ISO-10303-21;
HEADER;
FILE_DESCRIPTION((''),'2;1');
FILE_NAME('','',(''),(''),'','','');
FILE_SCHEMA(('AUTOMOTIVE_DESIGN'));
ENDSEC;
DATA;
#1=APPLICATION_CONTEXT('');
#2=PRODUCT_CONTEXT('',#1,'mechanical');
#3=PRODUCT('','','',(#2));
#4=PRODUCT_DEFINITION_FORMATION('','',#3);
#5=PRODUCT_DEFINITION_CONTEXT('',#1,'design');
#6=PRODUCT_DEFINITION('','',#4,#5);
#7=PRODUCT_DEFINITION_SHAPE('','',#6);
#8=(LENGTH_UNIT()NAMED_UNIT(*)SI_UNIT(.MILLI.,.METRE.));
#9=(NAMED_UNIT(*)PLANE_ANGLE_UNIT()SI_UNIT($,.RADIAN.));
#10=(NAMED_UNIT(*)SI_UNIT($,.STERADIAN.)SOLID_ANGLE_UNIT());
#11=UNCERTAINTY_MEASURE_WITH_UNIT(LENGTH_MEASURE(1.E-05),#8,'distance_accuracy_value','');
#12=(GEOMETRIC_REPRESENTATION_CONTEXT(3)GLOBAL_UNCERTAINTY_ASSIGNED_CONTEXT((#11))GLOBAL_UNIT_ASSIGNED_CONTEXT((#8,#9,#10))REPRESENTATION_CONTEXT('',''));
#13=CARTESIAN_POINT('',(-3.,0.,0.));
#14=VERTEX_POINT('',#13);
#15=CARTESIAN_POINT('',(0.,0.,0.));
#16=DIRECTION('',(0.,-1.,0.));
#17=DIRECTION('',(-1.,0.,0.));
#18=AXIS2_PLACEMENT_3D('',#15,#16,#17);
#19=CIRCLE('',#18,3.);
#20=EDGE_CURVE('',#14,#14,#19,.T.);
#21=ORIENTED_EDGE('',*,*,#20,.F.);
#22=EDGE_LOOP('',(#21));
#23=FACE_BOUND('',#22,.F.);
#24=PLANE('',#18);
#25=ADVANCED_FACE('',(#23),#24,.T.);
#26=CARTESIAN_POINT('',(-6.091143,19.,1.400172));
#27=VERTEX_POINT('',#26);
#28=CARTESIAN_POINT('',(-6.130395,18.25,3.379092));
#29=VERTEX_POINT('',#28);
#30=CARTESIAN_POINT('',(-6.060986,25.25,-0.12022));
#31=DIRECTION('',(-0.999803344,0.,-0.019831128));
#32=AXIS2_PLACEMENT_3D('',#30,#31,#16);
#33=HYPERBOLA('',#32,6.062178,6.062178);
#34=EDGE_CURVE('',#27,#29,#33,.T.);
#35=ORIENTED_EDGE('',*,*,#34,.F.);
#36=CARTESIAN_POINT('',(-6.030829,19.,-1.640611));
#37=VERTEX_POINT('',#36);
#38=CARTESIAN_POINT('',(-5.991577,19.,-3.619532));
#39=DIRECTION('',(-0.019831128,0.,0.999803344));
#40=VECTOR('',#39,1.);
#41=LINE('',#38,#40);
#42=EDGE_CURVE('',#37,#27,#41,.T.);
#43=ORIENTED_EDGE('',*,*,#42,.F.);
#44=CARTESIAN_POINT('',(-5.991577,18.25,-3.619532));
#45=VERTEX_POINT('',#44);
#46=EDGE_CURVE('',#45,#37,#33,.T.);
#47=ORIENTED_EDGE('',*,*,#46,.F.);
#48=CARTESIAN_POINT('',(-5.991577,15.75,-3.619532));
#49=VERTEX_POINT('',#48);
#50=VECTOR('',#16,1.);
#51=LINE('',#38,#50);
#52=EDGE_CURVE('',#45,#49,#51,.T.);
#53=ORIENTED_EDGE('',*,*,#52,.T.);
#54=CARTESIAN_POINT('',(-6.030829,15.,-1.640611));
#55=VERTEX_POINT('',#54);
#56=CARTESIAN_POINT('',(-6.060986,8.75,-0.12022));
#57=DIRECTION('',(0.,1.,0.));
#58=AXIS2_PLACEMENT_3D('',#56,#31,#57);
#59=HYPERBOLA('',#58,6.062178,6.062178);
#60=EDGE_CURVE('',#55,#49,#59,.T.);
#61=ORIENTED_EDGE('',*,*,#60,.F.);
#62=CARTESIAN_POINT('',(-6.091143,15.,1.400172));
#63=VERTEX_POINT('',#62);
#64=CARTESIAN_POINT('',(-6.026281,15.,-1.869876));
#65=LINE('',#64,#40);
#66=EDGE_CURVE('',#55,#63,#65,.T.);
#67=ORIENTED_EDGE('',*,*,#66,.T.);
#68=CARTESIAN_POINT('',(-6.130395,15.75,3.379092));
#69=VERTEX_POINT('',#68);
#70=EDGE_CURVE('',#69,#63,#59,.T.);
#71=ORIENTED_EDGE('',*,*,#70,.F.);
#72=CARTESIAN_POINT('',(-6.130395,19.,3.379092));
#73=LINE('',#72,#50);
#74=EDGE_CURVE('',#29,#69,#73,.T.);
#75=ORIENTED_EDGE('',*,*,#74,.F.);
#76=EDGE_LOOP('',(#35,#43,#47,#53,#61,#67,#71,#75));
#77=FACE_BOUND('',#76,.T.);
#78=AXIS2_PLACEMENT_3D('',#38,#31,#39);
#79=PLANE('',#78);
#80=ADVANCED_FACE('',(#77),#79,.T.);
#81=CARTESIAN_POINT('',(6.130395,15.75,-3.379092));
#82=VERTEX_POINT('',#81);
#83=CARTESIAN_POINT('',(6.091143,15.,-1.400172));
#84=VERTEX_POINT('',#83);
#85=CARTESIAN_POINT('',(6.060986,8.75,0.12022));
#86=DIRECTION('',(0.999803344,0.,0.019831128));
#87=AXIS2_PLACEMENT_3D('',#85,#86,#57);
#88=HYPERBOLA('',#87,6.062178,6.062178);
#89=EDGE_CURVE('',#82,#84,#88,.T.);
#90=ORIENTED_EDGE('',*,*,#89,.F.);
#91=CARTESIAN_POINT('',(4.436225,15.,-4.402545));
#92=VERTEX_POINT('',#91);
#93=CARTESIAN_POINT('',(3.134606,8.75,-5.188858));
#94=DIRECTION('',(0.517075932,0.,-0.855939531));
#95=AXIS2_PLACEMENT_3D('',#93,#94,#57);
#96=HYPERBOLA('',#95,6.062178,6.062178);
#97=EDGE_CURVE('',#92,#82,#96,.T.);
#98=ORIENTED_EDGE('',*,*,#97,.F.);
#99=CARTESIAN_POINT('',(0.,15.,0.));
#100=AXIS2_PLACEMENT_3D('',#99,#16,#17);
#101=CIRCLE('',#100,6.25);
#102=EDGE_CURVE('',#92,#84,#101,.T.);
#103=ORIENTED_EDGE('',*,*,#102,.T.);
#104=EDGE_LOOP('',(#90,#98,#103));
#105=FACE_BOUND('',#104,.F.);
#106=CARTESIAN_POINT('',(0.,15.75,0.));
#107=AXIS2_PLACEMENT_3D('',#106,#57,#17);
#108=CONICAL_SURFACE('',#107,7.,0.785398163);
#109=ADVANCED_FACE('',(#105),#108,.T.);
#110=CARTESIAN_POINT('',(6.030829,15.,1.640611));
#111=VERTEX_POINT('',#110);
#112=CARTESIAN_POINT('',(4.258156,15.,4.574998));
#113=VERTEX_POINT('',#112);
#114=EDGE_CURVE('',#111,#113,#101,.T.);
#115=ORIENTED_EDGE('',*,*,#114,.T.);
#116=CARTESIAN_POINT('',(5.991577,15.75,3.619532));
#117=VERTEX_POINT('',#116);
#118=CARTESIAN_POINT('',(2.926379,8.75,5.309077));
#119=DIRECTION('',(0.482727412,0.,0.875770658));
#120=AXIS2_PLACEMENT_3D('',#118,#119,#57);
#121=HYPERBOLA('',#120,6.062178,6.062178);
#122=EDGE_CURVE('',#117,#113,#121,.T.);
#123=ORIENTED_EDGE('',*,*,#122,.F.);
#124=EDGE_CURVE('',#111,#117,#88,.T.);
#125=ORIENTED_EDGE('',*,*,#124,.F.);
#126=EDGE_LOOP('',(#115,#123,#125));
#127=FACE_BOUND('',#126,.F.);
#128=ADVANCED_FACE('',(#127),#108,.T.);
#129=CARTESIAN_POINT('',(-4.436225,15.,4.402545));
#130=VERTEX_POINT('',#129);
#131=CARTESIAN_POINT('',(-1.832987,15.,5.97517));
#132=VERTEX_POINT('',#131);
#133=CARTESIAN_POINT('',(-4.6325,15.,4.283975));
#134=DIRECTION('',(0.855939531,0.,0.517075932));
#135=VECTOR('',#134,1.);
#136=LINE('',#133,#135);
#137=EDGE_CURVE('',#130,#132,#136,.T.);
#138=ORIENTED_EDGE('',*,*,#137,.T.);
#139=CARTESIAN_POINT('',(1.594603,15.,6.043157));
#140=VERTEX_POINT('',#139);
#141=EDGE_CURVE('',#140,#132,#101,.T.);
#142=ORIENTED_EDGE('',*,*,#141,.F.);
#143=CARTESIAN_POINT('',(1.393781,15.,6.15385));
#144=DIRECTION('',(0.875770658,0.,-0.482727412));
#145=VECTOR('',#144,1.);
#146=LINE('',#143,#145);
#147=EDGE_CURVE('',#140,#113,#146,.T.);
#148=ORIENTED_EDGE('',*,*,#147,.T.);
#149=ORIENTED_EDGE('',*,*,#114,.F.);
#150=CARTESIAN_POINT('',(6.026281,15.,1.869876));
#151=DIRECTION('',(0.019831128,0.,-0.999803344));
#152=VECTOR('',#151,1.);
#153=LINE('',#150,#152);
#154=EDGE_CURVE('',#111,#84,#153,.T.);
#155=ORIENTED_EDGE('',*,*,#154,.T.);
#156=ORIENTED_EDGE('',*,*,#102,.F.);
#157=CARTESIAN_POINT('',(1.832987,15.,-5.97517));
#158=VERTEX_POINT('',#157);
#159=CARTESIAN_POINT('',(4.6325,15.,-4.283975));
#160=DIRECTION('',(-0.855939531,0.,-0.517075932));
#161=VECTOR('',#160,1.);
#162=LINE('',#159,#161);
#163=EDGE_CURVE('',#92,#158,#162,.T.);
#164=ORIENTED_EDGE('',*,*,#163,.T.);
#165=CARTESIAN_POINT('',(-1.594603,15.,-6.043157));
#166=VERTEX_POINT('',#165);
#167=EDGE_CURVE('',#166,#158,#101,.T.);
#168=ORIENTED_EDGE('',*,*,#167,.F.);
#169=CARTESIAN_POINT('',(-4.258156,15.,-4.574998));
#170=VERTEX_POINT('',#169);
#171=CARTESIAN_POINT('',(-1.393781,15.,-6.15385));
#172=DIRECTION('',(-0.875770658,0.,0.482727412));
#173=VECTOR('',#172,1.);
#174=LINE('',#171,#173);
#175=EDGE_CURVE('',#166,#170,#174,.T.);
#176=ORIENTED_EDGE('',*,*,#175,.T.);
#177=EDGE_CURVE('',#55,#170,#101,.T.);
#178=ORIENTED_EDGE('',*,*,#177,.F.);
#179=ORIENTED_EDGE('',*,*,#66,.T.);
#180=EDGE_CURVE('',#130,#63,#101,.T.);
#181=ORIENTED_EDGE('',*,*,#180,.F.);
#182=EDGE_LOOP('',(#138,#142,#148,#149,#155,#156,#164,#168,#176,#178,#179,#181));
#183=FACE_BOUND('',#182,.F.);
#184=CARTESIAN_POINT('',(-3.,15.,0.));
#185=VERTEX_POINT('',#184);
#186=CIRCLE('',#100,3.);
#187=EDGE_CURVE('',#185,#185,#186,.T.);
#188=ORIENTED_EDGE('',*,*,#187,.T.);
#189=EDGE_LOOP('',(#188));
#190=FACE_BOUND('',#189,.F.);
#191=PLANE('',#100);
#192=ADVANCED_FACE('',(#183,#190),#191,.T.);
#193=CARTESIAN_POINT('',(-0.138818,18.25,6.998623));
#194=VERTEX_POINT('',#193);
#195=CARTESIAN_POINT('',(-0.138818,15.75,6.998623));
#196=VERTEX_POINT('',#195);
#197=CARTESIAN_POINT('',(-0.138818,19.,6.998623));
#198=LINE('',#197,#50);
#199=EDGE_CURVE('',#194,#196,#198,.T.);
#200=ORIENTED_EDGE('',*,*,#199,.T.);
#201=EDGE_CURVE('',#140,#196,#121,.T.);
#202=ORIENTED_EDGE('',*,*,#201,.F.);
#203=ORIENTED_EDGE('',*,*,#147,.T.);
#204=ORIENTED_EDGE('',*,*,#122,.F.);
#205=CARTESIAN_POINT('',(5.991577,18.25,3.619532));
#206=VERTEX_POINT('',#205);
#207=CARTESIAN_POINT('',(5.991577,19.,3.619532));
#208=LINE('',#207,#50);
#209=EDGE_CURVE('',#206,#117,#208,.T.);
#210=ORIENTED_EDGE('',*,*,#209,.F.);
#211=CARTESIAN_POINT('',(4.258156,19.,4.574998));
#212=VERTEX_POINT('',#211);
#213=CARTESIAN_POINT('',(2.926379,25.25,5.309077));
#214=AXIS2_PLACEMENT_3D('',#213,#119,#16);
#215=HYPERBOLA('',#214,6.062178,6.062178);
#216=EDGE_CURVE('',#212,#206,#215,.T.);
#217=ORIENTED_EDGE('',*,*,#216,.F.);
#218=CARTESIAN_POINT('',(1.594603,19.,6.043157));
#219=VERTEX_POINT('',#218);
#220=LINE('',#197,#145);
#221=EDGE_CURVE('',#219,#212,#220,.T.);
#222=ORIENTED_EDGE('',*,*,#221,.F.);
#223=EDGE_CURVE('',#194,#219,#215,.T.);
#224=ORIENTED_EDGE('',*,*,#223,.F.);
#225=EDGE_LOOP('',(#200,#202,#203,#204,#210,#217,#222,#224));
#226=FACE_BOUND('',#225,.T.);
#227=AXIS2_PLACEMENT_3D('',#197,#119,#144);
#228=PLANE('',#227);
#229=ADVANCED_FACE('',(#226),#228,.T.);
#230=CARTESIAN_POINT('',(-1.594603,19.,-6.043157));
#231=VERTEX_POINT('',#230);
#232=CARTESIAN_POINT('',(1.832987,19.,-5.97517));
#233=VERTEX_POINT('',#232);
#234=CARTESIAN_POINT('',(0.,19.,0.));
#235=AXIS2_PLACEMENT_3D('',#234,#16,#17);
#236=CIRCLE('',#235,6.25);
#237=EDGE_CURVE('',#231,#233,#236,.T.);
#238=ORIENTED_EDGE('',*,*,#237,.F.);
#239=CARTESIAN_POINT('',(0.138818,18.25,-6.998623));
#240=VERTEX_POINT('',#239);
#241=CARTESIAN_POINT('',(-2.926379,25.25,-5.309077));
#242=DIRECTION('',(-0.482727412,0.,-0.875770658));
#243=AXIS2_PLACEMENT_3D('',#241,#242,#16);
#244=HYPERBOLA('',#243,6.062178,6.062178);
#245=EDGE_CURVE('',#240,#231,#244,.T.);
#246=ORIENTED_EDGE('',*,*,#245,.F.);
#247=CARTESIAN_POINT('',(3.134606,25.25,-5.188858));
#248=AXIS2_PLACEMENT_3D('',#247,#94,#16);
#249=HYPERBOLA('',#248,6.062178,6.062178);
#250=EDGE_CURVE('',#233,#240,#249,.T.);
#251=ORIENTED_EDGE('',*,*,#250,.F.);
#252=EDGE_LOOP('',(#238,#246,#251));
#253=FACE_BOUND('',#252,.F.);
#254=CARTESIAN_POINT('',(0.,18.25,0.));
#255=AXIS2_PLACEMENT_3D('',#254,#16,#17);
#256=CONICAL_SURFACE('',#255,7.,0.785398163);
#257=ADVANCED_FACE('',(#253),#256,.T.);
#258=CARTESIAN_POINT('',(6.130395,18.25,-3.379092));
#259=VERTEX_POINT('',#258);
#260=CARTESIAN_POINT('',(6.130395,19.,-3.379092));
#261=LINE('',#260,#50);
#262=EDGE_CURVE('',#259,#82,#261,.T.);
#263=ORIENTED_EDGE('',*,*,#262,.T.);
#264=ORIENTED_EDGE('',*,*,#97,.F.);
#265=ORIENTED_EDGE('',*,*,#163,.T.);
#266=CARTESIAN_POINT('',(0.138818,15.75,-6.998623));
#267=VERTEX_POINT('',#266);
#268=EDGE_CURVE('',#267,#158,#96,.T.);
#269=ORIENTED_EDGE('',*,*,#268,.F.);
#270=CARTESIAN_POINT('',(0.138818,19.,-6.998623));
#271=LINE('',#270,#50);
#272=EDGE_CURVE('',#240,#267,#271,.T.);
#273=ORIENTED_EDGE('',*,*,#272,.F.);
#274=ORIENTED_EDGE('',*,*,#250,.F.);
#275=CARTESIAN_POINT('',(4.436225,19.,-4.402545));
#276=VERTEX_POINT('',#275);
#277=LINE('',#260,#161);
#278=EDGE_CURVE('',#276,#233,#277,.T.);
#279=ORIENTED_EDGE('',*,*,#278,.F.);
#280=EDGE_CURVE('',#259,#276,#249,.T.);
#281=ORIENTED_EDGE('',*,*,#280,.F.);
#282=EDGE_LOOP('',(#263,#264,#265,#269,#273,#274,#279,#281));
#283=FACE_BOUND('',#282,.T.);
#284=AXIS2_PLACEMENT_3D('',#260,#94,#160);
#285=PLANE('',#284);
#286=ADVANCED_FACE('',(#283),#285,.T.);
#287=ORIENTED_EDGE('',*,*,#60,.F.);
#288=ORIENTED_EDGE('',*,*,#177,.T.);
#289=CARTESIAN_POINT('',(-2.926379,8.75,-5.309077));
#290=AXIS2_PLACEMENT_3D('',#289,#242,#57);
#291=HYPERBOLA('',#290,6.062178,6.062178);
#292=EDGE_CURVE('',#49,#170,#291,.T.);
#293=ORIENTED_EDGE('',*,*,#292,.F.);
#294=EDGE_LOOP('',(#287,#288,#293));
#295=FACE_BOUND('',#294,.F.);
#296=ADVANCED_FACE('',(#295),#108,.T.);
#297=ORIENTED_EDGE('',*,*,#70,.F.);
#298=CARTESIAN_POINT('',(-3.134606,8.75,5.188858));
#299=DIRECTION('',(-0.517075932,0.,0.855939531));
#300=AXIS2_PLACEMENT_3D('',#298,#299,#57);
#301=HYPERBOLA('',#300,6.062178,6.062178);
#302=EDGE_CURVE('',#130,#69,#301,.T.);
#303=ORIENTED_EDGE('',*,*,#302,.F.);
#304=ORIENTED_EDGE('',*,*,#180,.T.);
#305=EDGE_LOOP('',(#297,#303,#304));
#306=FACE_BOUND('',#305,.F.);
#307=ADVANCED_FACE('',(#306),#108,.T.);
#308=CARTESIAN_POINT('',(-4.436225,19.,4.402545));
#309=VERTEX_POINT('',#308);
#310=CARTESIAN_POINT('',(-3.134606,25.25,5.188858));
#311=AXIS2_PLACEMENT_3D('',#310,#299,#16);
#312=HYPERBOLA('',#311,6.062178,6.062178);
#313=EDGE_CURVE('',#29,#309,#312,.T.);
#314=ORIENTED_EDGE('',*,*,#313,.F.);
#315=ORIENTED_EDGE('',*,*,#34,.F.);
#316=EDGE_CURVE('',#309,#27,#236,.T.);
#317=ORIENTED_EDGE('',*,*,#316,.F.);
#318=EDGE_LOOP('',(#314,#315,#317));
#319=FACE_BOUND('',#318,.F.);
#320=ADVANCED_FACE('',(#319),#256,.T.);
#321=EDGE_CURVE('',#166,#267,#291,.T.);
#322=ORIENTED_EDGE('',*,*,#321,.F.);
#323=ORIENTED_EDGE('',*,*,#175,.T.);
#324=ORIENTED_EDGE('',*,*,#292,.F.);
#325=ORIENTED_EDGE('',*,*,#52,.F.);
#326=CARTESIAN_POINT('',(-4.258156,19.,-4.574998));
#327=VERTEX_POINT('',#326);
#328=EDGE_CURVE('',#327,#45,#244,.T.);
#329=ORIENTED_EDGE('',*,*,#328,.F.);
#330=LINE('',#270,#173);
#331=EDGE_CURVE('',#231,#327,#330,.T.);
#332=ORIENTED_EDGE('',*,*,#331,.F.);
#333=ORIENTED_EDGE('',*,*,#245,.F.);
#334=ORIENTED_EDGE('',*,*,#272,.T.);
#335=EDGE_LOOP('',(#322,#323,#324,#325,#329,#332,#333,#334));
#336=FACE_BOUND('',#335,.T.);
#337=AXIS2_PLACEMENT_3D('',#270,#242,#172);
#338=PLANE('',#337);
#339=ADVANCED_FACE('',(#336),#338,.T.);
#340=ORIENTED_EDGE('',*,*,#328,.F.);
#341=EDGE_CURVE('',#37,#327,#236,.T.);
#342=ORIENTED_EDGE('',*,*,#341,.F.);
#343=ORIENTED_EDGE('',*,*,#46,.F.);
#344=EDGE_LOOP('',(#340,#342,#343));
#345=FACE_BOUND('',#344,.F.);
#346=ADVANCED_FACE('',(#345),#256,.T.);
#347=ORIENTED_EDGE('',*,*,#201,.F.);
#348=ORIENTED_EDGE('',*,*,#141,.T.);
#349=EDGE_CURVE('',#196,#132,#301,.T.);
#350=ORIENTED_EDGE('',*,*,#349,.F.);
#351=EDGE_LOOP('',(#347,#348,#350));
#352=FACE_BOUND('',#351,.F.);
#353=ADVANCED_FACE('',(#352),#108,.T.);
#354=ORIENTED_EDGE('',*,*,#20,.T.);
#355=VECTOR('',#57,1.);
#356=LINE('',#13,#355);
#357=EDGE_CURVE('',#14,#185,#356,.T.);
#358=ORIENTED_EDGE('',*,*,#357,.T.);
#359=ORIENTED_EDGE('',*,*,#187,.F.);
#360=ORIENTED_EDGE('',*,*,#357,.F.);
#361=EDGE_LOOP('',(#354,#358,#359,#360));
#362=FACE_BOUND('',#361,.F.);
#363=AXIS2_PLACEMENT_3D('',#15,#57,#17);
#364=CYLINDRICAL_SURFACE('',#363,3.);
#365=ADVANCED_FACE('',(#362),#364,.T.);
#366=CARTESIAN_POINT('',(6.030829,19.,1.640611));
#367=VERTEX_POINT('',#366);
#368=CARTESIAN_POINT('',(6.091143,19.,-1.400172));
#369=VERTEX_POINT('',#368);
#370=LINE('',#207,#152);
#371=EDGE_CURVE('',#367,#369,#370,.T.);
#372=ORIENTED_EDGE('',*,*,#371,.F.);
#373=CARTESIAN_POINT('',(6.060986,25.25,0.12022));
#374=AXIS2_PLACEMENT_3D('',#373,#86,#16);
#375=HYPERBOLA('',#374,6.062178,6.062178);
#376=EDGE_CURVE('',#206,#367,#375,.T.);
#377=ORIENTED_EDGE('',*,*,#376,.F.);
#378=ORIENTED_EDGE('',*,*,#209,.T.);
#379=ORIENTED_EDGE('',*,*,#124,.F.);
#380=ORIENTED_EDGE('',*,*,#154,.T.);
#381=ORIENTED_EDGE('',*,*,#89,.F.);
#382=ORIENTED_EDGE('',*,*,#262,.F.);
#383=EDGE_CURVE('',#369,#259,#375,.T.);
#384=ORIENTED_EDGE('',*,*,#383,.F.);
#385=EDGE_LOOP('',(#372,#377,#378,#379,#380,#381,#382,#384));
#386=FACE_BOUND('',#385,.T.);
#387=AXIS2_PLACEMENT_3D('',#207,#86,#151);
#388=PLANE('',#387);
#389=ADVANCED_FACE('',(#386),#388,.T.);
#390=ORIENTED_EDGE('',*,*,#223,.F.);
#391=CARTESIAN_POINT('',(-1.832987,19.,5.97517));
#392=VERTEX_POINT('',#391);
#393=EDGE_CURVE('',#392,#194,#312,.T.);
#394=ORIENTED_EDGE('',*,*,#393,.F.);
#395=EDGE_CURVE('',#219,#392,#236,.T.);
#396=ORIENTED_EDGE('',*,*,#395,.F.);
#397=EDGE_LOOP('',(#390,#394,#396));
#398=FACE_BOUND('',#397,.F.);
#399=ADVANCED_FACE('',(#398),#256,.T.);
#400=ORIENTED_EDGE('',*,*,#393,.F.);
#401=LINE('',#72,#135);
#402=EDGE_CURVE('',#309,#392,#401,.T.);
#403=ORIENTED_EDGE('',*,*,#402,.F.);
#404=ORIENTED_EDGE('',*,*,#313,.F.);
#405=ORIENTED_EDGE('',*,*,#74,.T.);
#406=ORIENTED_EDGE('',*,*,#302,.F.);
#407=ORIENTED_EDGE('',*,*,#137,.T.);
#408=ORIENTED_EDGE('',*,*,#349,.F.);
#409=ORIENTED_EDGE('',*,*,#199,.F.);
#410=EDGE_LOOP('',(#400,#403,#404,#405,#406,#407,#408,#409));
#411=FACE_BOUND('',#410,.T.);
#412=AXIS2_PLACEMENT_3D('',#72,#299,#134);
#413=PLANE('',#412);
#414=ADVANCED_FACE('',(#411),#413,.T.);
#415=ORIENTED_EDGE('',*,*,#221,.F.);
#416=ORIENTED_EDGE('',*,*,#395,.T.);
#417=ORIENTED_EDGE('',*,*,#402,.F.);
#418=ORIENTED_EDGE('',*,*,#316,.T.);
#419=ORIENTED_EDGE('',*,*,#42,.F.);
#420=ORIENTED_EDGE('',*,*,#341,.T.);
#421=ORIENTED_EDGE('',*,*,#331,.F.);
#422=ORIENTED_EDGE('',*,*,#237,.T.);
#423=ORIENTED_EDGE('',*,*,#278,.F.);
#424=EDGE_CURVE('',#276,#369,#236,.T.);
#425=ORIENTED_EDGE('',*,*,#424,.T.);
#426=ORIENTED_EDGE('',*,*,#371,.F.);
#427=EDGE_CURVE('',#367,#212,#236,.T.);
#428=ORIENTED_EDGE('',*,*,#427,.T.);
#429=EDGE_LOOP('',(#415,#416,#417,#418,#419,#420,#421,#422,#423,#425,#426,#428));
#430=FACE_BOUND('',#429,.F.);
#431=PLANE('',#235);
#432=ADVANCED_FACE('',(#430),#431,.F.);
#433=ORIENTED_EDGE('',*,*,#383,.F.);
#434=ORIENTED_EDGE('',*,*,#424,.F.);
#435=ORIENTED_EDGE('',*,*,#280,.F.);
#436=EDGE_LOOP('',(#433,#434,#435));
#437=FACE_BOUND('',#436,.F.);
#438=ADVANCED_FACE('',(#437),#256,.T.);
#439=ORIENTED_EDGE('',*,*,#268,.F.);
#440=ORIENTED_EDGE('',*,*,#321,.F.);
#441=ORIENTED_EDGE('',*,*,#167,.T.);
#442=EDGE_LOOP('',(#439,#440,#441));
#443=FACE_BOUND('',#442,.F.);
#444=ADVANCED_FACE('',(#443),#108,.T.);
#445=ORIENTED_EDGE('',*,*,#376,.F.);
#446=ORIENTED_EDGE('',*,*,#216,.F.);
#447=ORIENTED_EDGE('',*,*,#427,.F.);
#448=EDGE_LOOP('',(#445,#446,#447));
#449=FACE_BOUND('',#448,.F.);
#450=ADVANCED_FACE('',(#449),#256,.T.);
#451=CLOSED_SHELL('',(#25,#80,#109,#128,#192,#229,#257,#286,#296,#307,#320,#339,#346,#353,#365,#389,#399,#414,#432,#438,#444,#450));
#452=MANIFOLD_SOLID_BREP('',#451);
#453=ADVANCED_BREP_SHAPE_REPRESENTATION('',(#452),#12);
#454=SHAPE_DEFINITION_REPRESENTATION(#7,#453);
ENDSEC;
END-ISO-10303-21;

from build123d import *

# Parameters (mm, degrees)
CHAMFER1_SIZE      = 0.75
SKETCH2_OUTSIDE_W  = 21.488
SKETCH2_OUTSIDE_H  = 21.488
CUT_EXTRUDE1_DEPTH = 10


with BuildPart() as part:
    # Sketch1 → Revolve1 (revolve)
    with BuildSketch(Plane.XY):
        Polygon((0, 0), (-3, 0), (-3, 15), (-7, 15), (-7, 19), (0, 19), align=None)
    revolve(axis=Axis((0, 26.2734375, 0), (0, -1, 0)))

    # Chamfer1
    chamfer1_edges = [part.edges().sort_by_distance(p)[0] for p in [
        (7, 19, 0),
        (7, 15, 0),
    ]]
    chamfer(chamfer1_edges, length=CHAMFER1_SIZE)

    # Sketch2 outside → Cut-Extrude1 (cut)
    with BuildSketch(Plane(origin=(0, 19, 0), x_dir=(1, 0, 0), z_dir=(0, 1, 0))):
        Rectangle(SKETCH2_OUTSIDE_W, SKETCH2_OUTSIDE_H)
        Polygon((0.138817894, 6.998623407), (-5.991576715, 3.619531526), (-6.130394609, -3.379091881), (-0.138817894, -6.998623407), (5.991576715, -3.619531526), (6.130394609, 3.379091881), align=None, mode=Mode.SUBTRACT)
    extrude(amount=-CUT_EXTRUDE1_DEPTH, mode=Mode.SUBTRACT)


solid = part.part
